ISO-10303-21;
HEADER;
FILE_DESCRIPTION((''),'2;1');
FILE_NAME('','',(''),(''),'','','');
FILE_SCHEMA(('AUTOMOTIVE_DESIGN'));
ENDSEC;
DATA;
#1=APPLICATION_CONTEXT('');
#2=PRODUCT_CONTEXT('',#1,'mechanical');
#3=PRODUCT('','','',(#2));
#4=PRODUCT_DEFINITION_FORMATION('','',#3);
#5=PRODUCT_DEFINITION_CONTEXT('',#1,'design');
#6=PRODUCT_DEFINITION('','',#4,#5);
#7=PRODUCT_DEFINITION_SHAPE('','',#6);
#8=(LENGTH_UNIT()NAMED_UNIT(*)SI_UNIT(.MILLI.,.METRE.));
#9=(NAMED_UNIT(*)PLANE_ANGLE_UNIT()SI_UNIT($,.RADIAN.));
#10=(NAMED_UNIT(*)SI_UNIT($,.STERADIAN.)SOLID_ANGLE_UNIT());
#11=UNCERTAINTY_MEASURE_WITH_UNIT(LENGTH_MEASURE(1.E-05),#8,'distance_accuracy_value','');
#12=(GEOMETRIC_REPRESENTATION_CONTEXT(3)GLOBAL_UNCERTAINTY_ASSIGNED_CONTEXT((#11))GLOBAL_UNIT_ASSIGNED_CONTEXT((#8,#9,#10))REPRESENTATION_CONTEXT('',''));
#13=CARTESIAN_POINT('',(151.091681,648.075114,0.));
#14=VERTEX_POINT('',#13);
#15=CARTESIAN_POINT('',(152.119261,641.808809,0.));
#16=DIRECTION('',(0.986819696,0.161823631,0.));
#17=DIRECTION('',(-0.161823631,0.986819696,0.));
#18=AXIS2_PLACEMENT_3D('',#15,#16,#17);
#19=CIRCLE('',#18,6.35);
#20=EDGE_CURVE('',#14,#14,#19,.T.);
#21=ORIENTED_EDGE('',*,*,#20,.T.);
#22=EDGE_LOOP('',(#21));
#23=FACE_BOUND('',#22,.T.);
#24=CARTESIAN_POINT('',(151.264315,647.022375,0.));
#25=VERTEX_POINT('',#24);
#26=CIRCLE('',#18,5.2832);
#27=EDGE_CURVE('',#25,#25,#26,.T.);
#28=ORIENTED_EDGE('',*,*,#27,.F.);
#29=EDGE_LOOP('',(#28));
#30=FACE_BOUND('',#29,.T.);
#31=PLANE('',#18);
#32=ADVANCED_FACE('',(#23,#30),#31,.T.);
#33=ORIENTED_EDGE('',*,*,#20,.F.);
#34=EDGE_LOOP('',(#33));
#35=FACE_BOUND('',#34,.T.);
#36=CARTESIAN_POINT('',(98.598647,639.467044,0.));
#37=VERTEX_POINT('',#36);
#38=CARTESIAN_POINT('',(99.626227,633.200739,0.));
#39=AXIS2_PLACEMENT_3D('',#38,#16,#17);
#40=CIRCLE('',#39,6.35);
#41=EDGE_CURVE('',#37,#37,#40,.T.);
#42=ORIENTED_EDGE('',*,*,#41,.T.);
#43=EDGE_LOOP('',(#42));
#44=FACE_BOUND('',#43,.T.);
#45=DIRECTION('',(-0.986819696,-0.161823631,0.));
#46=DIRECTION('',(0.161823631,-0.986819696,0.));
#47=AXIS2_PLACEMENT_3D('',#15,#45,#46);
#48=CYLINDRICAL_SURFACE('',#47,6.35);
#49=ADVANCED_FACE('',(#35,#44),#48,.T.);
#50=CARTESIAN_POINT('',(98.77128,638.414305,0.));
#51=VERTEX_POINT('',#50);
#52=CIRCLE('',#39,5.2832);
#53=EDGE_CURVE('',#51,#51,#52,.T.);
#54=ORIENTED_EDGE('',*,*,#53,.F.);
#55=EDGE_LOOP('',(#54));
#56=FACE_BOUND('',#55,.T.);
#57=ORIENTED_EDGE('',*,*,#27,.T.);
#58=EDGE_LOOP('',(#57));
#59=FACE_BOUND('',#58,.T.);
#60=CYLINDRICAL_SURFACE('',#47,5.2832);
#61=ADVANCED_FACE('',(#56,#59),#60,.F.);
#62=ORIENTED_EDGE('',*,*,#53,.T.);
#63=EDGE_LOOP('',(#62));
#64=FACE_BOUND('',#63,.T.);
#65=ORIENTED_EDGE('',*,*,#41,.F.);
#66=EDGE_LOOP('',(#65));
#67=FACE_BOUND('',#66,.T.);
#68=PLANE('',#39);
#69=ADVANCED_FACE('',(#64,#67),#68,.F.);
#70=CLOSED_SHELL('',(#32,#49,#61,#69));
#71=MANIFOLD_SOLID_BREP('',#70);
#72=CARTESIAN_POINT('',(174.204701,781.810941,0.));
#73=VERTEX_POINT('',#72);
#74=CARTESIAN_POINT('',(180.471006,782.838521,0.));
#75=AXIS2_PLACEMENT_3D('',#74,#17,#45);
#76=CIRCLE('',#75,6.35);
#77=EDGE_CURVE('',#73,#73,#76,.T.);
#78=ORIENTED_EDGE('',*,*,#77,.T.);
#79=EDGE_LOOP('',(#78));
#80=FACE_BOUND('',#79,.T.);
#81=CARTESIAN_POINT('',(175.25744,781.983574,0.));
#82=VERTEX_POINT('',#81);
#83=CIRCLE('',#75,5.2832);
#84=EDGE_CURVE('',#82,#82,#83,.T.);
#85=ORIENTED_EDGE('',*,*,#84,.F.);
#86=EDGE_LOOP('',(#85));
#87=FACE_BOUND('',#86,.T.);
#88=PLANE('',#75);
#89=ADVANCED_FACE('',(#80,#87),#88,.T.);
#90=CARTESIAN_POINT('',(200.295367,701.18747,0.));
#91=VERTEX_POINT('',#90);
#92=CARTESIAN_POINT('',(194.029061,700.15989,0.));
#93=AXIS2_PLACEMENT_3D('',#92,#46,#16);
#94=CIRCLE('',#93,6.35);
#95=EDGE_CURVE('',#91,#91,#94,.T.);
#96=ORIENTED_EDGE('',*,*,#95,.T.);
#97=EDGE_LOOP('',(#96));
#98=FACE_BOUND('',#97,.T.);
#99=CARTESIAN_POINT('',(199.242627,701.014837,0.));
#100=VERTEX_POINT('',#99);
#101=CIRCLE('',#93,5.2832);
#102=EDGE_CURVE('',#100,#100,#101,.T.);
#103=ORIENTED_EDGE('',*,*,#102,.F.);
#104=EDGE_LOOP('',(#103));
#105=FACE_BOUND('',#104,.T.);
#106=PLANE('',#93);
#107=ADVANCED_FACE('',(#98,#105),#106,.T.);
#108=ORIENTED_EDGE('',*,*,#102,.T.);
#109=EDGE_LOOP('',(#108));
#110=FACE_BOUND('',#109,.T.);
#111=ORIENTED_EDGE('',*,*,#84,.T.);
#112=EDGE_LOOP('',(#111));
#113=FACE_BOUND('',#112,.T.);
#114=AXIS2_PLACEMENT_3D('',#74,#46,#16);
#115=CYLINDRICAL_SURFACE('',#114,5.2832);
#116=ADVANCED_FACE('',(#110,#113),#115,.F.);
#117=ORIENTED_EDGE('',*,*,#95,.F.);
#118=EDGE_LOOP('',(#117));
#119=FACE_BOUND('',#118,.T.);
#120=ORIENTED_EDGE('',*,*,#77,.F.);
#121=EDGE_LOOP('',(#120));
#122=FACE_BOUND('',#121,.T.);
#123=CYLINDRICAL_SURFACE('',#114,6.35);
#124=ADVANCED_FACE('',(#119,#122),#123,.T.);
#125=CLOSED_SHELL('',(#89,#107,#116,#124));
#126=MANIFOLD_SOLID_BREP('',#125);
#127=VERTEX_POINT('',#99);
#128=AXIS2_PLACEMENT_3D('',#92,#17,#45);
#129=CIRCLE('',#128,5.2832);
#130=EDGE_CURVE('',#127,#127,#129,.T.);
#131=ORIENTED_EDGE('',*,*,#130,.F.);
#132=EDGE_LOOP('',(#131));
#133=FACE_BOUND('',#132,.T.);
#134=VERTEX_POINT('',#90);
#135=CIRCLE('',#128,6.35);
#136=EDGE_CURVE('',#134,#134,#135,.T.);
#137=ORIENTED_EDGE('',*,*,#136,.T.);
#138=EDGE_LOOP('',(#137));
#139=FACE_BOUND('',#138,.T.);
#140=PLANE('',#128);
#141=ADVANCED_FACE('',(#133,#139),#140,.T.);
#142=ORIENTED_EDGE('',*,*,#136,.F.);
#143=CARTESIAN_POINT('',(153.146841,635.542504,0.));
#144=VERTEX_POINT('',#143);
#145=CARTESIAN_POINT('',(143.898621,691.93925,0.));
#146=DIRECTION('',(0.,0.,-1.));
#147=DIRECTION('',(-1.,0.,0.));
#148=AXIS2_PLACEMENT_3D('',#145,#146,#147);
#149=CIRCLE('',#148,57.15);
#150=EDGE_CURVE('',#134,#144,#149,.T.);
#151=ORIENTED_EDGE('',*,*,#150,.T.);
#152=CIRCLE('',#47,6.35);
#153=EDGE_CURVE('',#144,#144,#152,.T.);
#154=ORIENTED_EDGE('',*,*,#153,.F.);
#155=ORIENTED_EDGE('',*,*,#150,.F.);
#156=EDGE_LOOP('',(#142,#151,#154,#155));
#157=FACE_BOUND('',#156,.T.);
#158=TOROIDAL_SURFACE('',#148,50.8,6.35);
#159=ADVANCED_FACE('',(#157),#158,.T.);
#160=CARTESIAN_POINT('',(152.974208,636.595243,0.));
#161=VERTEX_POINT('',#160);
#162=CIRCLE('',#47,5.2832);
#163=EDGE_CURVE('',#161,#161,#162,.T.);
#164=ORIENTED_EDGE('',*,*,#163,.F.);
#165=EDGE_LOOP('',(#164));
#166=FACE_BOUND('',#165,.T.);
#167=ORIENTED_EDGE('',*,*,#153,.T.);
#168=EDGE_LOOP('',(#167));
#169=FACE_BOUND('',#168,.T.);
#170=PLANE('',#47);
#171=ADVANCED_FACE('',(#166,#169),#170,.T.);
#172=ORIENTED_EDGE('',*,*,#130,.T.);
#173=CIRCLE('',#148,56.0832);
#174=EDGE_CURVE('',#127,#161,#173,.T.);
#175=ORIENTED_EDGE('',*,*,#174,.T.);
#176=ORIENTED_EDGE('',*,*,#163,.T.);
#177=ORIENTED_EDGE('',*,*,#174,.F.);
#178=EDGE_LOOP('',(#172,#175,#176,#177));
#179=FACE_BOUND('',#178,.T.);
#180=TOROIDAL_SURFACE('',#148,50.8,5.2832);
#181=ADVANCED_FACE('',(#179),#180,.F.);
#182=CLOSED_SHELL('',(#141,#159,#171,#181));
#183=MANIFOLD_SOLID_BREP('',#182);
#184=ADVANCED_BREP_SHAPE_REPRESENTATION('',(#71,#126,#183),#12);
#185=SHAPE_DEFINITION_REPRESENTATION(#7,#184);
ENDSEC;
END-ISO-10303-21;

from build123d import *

# Parameters (mm, degrees)
SKETCH11_R                = 6.35
SKETCH11_R_2              = 5.2832
PIPE_0_5_SCH_40_1_DEPTH   = 53.19414965
SKETCH11_ON_SEGMENT_2_R   = 6.35
SKETCH11_ON_SEGMENT_2_R_2 = 5.2832
PIPE_0_5_SCH_40_1_2_ANGLE = 90
SKETCH11_ON_SEGMENT_3_R   = 6.35
SKETCH11_ON_SEGMENT_3_R_2 = 5.2832
PIPE_0_5_SCH_40_1_3_DEPTH = 83.782915117


with BuildPart() as part:
    # Sketch11 → Pipe 0.5 SCH 40(1) (new body)
    with BuildSketch(Plane(origin=(99.62622679, 633.200738698, 0), x_dir=(-0.1618236311412458, 0.9868196959953028, 0), z_dir=(0.986819695995303, 0.16182363114124582, 0))):
        Circle(SKETCH11_R)
        Circle(SKETCH11_R_2, mode=Mode.SUBTRACT)
    extrude(amount=PIPE_0_5_SCH_40_1_DEPTH)


with BuildPart() as body_2:
    # Sketch11 on segment 2 (carried to the start of arc 2) → Pipe 0.5 SCH 40_1 2 (revolve)
    with BuildSketch(Plane(origin=(152.119261376, 641.80880915, 0), x_dir=(-0.161823631, 0.986819696, 0), z_dir=(0.986819696, 0.161823631, 0))):
        Circle(SKETCH11_ON_SEGMENT_2_R)
        Circle(SKETCH11_ON_SEGMENT_2_R_2, mode=Mode.SUBTRACT)
    revolve(axis=Axis((143.898620914, 691.939249707, 0), (0, 0, 1)), revolution_arc=PIPE_0_5_SCH_40_1_2_ANGLE)


with BuildPart() as body_3:
    # Sketch11 on segment 3 (carried to segment 3) → Pipe 0.5 SCH 40_1 3 (new body)
    with BuildSketch(Plane(origin=(194.02906147, 700.159890169, 0), x_dir=(-0.986819696, -0.161823631, 0), z_dir=(-0.161823631, 0.986819696, 0))):
        Circle(SKETCH11_ON_SEGMENT_3_R)
        Circle(SKETCH11_ON_SEGMENT_3_R_2, mode=Mode.SUBTRACT)
    extrude(amount=PIPE_0_5_SCH_40_1_3_DEPTH)


solid = Compound([part.part, body_2.part, body_3.part])
